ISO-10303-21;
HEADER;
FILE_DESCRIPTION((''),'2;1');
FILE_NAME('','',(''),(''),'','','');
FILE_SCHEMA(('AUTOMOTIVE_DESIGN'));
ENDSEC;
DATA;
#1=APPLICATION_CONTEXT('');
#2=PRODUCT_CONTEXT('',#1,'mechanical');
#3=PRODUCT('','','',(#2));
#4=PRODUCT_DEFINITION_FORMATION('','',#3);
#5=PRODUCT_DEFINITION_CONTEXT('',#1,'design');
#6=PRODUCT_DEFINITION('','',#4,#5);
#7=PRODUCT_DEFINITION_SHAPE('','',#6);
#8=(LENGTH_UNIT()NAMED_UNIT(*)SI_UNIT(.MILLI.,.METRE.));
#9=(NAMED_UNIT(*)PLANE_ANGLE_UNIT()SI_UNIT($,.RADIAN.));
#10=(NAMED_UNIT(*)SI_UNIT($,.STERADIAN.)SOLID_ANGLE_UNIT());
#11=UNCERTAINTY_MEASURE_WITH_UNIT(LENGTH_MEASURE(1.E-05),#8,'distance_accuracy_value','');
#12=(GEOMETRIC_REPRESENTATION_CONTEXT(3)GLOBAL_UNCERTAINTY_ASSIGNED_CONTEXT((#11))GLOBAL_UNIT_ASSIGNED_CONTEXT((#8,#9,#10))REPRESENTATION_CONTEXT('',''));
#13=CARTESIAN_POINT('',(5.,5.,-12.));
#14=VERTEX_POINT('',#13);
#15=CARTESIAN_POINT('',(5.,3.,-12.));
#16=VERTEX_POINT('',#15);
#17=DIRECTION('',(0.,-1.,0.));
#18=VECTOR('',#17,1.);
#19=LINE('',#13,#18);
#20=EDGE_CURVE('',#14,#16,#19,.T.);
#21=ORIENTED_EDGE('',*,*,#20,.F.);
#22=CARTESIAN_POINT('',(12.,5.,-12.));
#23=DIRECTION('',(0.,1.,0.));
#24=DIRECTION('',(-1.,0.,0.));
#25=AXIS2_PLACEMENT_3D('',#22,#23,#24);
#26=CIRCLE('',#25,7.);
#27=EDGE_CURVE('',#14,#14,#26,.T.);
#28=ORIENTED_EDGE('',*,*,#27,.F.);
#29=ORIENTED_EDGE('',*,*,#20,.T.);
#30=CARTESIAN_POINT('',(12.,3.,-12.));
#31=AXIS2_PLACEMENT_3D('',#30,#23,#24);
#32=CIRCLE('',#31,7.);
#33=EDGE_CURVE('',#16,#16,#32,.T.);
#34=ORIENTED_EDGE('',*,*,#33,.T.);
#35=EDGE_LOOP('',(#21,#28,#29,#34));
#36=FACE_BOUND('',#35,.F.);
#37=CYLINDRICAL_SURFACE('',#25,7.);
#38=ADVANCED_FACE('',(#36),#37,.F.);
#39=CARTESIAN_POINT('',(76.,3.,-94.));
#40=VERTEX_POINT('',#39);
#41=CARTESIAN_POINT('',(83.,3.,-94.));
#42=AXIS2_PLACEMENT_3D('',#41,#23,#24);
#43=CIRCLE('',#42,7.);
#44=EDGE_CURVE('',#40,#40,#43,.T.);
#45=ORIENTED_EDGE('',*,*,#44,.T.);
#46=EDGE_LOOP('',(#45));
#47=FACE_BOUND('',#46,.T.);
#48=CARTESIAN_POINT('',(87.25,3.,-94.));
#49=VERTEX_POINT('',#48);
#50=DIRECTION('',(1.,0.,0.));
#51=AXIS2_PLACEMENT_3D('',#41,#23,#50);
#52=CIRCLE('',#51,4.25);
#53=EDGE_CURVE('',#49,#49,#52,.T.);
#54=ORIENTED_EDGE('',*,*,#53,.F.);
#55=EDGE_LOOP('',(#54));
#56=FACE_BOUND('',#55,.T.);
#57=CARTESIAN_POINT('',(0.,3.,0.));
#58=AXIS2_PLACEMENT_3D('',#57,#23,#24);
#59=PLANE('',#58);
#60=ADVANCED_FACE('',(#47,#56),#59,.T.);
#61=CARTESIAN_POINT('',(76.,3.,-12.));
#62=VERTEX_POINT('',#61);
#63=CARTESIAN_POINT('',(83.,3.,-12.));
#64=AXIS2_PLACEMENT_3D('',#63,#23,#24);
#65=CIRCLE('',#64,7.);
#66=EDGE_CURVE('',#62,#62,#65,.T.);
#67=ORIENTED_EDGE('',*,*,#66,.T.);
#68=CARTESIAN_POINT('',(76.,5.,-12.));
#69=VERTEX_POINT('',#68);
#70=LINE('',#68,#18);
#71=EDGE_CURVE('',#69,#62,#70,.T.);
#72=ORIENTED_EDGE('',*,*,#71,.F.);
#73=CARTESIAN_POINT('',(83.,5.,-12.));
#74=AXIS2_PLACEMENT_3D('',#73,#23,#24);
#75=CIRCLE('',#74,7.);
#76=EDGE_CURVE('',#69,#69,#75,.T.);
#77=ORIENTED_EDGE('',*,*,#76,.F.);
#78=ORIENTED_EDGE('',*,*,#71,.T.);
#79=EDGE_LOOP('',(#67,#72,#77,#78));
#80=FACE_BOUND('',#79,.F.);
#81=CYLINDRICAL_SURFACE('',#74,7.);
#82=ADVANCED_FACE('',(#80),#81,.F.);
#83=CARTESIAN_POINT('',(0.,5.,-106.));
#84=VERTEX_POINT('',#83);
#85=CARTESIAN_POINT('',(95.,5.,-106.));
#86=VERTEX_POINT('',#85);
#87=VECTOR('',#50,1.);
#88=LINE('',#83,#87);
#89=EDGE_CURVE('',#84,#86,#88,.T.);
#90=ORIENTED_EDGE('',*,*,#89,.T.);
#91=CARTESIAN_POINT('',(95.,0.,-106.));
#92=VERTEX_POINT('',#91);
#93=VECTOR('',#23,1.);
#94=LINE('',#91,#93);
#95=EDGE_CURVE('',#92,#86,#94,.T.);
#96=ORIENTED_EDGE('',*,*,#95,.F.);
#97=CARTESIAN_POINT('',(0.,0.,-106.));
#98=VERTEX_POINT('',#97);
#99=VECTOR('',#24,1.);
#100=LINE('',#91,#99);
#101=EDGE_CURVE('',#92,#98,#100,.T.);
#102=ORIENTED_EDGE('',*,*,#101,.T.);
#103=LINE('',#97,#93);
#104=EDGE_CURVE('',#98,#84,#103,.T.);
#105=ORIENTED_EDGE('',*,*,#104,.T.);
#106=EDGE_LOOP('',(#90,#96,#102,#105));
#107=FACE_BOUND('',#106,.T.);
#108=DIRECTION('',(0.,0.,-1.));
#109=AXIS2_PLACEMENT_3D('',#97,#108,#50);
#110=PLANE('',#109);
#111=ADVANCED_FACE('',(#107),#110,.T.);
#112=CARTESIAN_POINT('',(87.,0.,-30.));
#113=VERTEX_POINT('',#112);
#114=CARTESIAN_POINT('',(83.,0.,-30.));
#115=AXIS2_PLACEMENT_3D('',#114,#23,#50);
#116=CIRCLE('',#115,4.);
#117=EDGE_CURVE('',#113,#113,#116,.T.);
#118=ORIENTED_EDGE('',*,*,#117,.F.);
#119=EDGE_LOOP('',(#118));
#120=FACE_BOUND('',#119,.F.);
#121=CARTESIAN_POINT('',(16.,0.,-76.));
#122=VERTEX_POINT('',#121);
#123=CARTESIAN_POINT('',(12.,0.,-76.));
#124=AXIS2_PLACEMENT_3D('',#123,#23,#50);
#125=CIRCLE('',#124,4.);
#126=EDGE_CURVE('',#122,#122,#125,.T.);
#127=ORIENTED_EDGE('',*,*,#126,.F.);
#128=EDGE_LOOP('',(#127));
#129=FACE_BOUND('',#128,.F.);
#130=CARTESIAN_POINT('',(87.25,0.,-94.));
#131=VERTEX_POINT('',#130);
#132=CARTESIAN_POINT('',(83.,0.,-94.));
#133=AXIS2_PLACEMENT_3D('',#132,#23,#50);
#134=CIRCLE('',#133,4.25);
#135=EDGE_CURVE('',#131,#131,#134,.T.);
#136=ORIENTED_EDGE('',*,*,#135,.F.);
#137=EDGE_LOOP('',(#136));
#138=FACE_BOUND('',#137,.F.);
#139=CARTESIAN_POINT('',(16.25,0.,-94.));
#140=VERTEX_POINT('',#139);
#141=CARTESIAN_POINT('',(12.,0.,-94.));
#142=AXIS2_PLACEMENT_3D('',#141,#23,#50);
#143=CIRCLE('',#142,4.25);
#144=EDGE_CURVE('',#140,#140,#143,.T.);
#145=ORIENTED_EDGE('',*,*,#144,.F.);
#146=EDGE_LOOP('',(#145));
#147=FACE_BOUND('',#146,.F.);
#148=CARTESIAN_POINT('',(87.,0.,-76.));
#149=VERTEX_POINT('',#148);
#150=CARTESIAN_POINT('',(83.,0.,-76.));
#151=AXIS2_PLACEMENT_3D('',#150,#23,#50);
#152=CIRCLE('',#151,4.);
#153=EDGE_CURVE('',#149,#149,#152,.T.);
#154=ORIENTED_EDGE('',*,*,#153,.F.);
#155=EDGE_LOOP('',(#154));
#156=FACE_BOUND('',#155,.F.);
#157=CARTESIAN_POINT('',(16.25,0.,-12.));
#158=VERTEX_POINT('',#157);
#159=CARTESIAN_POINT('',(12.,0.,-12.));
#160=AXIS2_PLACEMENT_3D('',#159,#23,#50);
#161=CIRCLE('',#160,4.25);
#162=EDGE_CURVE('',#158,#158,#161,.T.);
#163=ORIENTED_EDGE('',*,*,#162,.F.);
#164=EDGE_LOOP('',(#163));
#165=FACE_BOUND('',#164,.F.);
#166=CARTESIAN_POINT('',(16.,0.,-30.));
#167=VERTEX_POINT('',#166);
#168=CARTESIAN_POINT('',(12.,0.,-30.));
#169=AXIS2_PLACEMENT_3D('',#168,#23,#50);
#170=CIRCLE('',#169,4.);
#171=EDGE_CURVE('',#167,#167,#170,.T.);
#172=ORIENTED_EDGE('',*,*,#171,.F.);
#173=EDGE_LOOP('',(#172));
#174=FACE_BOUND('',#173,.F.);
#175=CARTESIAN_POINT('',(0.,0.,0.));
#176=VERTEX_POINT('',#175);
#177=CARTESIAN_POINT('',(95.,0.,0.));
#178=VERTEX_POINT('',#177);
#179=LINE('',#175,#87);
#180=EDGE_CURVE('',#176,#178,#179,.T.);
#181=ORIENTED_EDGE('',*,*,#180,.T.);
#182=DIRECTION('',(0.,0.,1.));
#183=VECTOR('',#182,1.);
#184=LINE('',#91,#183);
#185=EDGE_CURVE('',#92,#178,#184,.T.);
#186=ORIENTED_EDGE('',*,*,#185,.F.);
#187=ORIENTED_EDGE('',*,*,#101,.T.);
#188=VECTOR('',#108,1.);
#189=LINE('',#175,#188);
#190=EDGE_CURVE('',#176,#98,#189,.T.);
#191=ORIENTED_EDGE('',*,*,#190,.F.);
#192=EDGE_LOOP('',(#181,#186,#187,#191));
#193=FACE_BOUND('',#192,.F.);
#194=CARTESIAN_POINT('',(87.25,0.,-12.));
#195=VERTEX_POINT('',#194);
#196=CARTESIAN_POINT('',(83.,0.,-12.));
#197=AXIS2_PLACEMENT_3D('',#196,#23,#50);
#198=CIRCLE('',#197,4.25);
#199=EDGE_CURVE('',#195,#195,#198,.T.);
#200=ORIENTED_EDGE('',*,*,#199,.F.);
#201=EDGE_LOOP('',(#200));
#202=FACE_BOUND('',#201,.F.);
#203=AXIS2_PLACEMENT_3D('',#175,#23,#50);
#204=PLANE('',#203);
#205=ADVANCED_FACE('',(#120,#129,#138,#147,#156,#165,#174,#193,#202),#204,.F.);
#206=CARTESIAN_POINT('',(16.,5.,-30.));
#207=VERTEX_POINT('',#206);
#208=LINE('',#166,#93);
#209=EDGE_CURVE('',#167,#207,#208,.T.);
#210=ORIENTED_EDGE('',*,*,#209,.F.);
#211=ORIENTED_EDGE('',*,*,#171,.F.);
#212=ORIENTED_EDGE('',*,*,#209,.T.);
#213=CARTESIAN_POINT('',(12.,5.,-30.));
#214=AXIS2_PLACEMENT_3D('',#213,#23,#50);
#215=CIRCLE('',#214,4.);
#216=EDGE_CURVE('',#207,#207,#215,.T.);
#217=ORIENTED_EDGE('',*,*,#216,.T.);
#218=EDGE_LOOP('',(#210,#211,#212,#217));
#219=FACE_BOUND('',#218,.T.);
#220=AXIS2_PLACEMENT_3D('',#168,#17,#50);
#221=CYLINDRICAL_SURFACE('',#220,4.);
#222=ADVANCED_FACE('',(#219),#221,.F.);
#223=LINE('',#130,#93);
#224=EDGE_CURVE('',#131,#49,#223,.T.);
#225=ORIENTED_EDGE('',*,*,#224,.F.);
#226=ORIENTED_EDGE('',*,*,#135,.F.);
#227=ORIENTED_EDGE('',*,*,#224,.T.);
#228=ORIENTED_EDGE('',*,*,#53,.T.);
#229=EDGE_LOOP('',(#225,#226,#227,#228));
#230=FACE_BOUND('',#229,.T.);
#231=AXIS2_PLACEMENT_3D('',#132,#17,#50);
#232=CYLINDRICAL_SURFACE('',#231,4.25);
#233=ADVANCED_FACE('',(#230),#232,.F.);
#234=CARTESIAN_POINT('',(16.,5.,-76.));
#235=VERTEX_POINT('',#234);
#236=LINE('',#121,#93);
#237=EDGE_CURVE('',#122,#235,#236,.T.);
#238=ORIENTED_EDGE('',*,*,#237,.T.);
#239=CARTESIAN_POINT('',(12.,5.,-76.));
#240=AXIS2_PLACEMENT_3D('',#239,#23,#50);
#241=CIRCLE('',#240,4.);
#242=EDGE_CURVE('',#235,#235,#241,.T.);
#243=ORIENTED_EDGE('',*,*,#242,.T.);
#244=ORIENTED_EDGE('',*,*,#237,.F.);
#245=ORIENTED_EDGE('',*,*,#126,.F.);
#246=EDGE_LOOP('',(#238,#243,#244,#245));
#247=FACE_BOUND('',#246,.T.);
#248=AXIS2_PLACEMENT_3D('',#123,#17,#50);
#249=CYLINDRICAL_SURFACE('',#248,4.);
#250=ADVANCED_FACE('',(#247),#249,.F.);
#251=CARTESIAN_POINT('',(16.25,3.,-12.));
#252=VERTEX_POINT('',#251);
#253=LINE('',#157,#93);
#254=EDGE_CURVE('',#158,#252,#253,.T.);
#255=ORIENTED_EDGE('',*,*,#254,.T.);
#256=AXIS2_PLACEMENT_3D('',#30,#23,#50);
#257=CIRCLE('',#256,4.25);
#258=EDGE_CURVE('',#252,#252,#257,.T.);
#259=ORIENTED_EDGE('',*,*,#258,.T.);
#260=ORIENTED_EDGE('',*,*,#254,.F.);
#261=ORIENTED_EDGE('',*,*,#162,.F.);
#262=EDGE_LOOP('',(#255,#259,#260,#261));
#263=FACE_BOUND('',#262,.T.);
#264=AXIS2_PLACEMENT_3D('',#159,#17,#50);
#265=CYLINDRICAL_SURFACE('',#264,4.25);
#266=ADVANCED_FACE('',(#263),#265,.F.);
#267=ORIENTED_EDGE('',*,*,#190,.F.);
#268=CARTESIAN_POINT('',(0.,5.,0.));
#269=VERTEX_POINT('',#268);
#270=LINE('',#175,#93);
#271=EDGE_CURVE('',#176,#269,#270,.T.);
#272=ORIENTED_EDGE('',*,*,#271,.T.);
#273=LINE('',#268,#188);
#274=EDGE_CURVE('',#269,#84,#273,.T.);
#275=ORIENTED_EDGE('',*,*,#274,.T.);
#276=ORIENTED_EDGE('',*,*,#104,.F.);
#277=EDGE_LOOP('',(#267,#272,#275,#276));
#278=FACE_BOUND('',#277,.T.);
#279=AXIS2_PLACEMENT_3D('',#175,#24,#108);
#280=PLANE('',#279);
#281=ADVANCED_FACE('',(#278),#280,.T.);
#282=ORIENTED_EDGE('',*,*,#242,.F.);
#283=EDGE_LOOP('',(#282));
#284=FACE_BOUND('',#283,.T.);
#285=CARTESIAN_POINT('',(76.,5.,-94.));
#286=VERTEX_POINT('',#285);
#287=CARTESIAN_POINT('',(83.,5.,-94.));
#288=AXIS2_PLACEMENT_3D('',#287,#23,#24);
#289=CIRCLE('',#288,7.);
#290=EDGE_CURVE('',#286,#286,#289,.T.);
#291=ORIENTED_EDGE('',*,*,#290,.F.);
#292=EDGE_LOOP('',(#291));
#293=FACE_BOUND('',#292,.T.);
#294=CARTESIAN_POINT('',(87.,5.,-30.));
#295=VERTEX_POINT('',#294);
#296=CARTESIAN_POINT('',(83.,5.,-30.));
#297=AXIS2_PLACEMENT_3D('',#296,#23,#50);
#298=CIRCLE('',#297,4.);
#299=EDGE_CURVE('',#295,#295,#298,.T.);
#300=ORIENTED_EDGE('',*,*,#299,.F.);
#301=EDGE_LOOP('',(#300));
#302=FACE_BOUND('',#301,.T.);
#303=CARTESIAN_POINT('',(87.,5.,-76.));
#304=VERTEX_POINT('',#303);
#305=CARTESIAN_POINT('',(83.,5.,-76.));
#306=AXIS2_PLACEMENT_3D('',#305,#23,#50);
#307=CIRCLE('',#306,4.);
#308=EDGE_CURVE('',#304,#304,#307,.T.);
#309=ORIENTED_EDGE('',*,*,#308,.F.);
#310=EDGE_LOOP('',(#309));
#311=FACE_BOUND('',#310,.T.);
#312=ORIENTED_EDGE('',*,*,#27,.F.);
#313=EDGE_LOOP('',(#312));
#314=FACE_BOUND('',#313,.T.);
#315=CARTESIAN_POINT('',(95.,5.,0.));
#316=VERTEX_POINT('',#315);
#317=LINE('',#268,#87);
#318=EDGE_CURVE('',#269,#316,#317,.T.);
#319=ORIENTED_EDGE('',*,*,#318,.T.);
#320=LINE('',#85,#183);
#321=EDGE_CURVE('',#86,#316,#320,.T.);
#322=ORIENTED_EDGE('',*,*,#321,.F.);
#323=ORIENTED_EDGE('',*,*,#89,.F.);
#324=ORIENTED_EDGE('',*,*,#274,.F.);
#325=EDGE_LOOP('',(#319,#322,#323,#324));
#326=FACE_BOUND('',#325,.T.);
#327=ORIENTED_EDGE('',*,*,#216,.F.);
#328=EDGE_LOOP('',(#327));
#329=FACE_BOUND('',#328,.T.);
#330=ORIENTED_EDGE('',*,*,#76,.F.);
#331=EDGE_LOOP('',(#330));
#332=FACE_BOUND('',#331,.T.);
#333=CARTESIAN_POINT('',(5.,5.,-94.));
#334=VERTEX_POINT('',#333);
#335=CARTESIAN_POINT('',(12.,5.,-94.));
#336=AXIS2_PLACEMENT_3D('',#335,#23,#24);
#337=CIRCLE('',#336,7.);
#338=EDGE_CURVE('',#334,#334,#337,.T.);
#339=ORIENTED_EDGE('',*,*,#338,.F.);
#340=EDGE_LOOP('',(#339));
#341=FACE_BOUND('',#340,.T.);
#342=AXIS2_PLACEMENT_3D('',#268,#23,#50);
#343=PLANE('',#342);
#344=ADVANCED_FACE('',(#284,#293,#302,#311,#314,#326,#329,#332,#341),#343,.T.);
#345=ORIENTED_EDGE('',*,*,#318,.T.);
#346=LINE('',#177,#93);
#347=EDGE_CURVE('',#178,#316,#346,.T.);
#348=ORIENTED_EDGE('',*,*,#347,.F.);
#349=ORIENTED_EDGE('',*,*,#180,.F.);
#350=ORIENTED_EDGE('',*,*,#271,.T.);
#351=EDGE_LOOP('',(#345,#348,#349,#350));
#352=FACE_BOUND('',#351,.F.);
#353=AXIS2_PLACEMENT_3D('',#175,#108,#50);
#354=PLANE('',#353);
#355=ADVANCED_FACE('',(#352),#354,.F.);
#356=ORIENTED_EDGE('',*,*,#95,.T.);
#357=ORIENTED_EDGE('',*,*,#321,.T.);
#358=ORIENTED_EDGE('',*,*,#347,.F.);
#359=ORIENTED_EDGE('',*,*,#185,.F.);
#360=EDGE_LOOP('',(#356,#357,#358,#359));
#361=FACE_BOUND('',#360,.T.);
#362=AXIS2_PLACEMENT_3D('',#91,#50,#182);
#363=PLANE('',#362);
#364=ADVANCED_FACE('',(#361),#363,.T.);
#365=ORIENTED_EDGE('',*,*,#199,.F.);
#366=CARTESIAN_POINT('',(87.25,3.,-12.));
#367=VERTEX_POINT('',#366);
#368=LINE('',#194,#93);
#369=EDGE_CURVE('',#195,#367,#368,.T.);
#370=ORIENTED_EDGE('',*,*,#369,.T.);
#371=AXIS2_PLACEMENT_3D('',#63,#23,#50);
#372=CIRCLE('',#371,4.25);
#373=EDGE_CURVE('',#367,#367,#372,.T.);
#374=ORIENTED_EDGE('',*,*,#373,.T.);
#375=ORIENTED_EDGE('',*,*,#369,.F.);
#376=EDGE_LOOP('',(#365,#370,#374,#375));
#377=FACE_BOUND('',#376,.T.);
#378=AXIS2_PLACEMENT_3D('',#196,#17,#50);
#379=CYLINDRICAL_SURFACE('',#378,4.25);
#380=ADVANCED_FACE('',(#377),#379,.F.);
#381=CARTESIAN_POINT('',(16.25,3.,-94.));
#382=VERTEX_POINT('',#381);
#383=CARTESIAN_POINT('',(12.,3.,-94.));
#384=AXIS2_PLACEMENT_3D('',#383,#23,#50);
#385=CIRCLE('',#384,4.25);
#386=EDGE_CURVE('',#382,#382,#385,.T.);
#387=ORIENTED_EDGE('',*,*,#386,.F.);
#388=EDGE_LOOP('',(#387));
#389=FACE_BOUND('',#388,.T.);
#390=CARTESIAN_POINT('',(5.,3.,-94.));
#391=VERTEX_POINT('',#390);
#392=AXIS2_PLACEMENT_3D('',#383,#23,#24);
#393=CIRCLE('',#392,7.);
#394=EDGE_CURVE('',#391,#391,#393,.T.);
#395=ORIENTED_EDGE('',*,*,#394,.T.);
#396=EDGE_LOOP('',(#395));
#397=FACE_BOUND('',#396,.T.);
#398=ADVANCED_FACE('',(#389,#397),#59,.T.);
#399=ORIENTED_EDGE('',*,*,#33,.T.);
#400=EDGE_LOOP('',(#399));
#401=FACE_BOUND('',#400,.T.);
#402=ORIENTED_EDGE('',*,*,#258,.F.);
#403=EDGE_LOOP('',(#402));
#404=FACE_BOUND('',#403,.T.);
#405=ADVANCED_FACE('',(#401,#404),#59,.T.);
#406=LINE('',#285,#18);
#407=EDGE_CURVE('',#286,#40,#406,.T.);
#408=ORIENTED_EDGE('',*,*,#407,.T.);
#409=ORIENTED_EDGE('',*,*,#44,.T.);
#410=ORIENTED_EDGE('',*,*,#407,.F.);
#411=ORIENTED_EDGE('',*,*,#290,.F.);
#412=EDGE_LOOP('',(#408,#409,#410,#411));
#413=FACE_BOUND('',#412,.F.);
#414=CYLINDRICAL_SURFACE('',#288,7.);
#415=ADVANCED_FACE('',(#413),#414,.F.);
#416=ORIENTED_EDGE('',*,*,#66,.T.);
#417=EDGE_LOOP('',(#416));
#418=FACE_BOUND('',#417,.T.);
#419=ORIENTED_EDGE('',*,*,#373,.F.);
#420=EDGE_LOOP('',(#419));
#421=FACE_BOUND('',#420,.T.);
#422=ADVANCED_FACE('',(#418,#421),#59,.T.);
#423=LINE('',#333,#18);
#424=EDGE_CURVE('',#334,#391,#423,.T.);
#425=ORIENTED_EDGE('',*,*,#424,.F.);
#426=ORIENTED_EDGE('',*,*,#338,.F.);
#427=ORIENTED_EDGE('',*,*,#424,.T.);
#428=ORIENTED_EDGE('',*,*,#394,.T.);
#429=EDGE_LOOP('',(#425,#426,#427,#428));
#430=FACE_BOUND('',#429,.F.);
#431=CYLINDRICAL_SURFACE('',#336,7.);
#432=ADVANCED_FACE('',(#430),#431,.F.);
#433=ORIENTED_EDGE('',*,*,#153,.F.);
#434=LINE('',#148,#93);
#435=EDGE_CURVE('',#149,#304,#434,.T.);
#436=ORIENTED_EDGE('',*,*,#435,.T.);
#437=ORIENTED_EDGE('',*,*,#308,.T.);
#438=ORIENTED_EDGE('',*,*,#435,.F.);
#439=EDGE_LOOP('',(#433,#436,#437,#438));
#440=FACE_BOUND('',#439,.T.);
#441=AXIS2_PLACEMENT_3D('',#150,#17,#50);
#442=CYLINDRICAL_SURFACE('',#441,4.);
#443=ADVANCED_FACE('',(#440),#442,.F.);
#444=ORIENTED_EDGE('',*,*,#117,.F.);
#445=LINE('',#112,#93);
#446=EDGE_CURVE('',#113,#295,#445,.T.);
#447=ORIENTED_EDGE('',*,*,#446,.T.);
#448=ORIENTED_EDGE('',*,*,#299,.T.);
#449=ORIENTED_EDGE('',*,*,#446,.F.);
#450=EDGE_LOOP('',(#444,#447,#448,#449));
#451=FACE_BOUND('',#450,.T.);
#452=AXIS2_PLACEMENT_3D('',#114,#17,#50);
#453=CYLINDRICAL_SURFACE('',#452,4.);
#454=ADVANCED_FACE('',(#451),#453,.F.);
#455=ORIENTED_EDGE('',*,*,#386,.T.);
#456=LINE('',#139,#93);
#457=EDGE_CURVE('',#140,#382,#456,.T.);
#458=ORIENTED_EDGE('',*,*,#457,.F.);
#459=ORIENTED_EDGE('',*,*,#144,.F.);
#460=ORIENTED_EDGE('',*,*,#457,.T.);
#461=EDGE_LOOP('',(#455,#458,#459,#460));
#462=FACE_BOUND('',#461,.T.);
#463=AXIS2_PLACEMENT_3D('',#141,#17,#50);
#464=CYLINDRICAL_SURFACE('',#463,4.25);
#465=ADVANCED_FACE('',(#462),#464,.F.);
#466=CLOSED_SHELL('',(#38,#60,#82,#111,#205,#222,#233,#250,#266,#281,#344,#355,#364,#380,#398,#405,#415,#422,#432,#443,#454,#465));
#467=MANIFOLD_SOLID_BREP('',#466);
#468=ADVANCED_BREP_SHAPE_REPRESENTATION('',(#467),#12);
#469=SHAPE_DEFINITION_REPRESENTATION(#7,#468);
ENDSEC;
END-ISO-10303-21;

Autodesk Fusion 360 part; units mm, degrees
sketch "Sketch1" plane through (0, 0, 0) normal (0, 1, 0) x (1, 0, 0)
  line L0 (0, 0) -> (95, 0)
  line L1 (0, 0) -> (0, 106)
  line L2 (0, 106) -> (95, 106)
  line L3 (95, 106) -> (95, 0)
  line L4 (95, 106) -> (83, 106)
  circle A0 centre (83, 94) radius 7
  line L5 (0, 106) -> (12, 106)
  circle A1 centre (12, 94) radius 7
  circle A2 centre (83, 76) radius 4
  circle A3 centre (12, 76) radius 4
  circle A4 centre (83, 30) radius 4
  circle A5 centre (83, 12) radius 7
  circle A6 centre (12, 30) radius 4
  circle A7 centre (12, 12) radius 7
  circle A8 centre (83, 94) radius 4.25
  circle A9 centre (12, 94) radius 4.25
  circle A10 centre (12, 12) radius 4.25
  circle A11 centre (83, 12) radius 4.25
  dimension "d26" = 8.5
  dimension "d27" = 8.5
  dimension "d28" = 8.5
extrude "Extrude1" add sketch "Sketch1" along normal blind 5 contours L0 L1 L2 L3 L4 L5 | A0 | A1 | A5 | A7
sketch "Sketch2" plane through (0, 5, 0) normal (0, 1, 0) x (-1, 0, 0)
  circle A0 centre (-12, -94) radius 4.25
  circle A1 centre (-83, -76) radius 4
  circle A2 centre (-83, -94) radius 4.25
  circle A3 centre (-12, -76) radius 4
  circle A4 centre (-83, -30) radius 4
  circle A5 centre (-12, -30) radius 4
  circle A6 centre (-83, -12) radius 4.25
  circle A7 centre (-12, -12) radius 4.25
  line L0 (0, 0) -> (-95, 0)
  line L1 (-95, 0) -> (-95, -106)
  line L2 (-95, -106) -> (0, -106)
  line L3 (0, -106) -> (0, 0)
  circle A8 centre (-12, -12) radius 7
  circle A9 centre (-83, -12) radius 7
  circle A10 centre (-83, -94) radius 7
  circle A11 centre (-12, -94) radius 7
  dimension "d31" = 14
  dimension "d32" = 14
  dimension "d33" = 14
  dimension "d34" = 14
extrude "Extrude2" cut sketch "Sketch2" against normal blind 2 contours A8 | A9 | A10 | A11
